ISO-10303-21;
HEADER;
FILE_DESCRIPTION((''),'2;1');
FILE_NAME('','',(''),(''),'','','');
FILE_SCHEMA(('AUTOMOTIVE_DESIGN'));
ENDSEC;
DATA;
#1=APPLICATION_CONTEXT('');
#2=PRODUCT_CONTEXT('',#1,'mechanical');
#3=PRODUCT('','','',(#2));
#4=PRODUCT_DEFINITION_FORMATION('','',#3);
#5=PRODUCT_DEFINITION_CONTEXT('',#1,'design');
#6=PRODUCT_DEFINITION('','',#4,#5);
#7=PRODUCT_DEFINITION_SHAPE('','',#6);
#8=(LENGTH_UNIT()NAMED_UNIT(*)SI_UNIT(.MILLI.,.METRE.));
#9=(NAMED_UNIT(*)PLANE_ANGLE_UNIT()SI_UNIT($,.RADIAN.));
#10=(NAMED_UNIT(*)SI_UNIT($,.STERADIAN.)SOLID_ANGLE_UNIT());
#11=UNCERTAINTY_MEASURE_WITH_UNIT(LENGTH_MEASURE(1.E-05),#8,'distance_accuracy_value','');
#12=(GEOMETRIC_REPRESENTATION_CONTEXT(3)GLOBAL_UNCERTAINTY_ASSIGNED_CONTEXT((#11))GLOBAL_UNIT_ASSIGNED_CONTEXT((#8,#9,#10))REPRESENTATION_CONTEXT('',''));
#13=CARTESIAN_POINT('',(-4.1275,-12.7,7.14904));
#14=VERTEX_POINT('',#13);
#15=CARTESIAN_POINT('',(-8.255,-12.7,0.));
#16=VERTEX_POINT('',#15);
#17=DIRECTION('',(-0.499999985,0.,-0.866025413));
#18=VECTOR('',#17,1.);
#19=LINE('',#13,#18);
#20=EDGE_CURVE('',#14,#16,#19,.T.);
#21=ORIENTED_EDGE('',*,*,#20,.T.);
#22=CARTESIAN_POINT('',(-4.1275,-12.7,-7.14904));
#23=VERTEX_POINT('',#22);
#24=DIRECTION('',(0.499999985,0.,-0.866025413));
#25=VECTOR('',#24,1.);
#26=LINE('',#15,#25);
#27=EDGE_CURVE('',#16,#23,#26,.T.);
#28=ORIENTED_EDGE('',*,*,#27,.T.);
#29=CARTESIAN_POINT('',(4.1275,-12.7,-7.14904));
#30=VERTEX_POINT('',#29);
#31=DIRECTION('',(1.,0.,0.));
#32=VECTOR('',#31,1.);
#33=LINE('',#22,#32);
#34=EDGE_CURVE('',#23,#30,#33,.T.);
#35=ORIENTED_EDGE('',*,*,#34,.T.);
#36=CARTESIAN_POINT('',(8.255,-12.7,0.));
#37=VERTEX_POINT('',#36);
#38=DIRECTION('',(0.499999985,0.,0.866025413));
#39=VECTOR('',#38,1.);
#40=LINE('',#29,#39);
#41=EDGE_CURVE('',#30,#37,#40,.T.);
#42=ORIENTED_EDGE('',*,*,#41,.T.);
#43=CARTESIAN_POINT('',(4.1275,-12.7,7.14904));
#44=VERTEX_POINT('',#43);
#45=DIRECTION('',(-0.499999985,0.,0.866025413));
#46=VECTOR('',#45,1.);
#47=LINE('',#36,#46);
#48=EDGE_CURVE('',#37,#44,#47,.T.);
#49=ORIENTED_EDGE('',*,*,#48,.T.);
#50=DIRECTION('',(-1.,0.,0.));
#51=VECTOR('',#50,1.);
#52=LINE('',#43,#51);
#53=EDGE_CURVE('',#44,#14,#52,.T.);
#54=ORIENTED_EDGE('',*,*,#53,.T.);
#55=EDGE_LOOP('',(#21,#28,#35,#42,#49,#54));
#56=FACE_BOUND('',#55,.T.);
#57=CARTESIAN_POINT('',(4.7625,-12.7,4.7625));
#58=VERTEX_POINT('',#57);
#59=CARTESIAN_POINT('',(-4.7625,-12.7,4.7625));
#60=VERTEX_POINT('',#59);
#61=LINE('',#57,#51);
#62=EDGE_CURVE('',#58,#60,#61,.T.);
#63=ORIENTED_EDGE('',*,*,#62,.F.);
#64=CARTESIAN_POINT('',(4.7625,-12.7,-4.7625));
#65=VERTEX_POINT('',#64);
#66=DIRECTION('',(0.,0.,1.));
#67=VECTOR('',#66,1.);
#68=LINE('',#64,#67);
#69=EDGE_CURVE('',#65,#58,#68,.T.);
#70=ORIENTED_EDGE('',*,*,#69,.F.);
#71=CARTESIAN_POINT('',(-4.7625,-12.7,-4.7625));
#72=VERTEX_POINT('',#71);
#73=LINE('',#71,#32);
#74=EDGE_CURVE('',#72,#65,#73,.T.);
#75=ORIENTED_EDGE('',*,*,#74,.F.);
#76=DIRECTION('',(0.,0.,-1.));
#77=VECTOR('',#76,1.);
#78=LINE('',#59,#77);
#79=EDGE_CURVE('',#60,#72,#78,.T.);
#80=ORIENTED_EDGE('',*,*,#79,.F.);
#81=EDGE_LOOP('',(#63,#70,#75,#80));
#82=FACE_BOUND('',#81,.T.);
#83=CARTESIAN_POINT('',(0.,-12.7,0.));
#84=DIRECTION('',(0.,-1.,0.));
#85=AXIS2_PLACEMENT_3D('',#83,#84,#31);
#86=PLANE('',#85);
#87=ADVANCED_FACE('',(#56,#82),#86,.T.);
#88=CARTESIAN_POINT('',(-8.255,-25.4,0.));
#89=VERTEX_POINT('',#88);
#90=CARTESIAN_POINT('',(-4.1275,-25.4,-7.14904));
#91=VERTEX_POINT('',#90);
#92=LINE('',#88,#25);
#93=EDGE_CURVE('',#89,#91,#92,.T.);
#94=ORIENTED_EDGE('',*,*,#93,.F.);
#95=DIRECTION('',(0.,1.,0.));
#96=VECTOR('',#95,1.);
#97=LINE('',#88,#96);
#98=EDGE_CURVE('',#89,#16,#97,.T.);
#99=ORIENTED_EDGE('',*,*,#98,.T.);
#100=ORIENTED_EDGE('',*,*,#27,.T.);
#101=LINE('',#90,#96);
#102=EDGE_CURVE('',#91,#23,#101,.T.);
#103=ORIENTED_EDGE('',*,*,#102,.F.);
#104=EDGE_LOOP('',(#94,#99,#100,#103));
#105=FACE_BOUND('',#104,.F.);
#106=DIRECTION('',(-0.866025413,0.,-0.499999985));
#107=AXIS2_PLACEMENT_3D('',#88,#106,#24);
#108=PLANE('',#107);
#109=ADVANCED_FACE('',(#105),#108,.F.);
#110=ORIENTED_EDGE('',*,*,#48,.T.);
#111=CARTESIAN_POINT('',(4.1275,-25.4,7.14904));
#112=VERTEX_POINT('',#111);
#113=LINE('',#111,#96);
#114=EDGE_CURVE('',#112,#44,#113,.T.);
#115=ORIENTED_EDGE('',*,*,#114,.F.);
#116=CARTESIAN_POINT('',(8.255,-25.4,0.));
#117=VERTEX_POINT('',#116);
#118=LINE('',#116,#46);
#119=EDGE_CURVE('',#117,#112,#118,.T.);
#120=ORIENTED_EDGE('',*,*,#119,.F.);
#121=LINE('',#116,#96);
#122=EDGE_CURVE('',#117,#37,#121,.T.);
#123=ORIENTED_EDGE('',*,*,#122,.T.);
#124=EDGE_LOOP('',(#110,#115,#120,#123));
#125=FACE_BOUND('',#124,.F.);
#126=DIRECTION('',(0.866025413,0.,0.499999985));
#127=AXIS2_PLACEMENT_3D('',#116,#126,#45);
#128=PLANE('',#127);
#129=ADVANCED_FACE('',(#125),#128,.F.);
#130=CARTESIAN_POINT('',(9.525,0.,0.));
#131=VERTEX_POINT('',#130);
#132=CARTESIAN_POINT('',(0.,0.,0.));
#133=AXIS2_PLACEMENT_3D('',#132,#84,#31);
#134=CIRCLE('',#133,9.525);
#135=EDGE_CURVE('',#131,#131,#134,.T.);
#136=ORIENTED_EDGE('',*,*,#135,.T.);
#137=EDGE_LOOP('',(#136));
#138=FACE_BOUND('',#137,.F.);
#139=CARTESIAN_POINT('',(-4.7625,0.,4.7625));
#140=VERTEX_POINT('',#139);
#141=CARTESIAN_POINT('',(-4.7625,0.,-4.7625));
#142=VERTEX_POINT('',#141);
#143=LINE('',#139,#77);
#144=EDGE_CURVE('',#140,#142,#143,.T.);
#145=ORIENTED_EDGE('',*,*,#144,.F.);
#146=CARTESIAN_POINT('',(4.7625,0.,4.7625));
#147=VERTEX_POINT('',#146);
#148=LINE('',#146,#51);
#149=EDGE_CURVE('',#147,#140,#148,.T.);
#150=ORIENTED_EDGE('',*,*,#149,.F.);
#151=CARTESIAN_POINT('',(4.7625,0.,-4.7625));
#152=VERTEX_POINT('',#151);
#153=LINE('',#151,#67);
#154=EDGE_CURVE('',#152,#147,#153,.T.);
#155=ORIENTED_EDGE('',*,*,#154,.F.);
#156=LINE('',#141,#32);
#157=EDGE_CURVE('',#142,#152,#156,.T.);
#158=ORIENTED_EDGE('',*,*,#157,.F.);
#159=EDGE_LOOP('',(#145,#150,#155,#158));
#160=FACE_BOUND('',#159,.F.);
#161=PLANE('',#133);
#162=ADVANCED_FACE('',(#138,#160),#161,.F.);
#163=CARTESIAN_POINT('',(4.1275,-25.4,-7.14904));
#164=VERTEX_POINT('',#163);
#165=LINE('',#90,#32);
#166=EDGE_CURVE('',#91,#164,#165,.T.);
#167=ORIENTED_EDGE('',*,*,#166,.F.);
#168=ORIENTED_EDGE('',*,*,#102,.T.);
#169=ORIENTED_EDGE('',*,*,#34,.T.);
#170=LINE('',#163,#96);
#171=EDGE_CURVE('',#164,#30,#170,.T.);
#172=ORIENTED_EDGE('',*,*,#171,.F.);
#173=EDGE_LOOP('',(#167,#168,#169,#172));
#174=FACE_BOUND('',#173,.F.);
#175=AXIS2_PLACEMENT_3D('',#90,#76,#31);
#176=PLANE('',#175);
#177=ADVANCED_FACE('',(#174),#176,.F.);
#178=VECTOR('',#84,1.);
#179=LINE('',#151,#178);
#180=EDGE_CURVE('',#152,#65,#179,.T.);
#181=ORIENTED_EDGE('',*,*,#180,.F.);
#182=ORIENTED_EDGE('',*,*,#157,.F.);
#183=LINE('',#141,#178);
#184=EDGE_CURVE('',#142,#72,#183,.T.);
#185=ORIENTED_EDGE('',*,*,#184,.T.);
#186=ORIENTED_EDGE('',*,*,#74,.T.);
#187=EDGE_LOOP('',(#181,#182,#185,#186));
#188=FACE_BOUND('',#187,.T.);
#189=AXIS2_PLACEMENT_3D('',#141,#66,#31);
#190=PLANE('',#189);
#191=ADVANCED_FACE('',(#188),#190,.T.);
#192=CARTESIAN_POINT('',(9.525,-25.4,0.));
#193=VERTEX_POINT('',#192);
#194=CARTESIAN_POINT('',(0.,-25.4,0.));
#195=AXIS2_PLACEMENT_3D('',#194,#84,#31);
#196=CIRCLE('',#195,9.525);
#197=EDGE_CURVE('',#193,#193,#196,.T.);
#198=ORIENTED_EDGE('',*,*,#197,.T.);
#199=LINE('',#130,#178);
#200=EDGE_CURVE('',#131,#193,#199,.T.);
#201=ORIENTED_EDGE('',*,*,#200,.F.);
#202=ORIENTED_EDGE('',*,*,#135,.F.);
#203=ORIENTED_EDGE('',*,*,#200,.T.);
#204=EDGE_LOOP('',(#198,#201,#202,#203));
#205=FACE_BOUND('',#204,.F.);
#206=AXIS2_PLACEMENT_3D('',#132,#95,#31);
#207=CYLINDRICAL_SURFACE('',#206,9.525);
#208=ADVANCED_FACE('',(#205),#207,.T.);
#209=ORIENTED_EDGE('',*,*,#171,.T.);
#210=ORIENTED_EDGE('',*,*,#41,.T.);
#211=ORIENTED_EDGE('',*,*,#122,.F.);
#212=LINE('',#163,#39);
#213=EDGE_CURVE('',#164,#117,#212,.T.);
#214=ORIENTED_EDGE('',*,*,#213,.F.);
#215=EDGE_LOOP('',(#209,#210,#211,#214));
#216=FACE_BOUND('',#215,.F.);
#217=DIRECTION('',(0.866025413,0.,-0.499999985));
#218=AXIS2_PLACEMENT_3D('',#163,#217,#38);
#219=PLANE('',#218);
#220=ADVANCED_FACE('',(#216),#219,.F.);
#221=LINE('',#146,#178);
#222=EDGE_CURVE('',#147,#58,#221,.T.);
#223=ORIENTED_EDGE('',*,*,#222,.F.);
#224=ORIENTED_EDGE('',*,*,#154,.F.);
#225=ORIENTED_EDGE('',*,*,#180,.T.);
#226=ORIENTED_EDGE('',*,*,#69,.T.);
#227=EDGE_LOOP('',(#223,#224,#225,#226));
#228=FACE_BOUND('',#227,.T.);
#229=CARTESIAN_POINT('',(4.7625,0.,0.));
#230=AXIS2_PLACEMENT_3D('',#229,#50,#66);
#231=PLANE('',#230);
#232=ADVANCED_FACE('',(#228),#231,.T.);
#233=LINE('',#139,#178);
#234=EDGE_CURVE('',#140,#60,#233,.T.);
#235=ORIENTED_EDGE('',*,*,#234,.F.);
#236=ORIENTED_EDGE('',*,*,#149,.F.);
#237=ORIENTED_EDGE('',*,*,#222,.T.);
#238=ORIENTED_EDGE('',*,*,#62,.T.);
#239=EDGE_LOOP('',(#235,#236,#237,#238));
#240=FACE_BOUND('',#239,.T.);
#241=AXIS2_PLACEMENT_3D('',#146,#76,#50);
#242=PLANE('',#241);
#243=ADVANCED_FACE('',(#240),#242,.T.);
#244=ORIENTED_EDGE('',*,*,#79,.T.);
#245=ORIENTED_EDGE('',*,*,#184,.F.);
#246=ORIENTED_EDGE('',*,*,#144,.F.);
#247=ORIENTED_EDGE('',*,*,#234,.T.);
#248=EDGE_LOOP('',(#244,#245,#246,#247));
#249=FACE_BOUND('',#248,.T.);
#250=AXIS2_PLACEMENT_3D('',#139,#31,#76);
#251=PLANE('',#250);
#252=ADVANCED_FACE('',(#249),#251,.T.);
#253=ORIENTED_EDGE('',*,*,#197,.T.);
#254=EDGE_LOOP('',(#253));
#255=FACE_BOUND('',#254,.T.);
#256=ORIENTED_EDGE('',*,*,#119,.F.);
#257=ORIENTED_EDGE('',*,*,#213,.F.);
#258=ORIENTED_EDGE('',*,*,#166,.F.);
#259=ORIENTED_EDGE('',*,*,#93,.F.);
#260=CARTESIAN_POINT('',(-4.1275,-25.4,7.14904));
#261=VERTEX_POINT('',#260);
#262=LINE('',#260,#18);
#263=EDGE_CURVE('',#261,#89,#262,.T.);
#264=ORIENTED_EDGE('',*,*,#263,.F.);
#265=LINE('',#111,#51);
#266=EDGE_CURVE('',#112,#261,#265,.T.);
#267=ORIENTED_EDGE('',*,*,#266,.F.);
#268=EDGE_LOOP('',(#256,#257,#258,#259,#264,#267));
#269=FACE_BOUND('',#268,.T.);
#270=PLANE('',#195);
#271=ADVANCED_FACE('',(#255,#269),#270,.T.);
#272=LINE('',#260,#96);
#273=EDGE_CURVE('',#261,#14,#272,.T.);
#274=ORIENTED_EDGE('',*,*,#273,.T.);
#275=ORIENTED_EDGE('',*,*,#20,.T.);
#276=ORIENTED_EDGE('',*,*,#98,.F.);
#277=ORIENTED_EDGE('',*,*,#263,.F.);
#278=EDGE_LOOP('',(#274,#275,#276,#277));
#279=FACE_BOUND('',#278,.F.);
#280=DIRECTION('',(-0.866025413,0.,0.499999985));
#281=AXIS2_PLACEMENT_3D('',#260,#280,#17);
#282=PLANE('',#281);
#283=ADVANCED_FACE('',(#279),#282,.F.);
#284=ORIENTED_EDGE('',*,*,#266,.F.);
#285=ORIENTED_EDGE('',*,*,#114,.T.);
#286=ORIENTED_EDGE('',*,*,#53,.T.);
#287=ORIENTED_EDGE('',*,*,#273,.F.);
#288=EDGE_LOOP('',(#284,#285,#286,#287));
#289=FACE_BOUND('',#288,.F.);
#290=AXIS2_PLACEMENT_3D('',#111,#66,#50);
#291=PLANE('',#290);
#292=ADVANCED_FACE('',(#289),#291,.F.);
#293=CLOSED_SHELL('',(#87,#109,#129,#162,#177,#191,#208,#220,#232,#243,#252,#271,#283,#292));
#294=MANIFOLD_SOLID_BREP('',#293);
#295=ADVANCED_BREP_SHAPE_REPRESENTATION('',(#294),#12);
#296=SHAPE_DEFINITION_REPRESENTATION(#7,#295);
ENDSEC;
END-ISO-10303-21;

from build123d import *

# Parameters (mm, degrees)
F0_R     = 9.525
F1_DEPTH = 25.4
F3_DEPTH = 25.401
F4_DEPTH = 12.7
F6_DEPTH = 12.7


with BuildPart() as f1:
    # F0 (on Front) → F1 (new body)
    with BuildSketch(Plane.XZ):
        Circle(F0_R)
    extrude(amount=F1_DEPTH)

    # F2 (on Front) → F3 (cut, through all)
    with BuildSketch(Plane.XZ):
        with BuildLine():
            ThreePointArc((4.7625, 0), (3.367596, 3.367596), (0, 4.7625))
            ThreePointArc((0, 4.7625), (-3.367596, 3.367596), (-4.7625, 0))
            ThreePointArc((-4.7625, 0), (-3.367596, -3.367596), (0, -4.7625))
            ThreePointArc((0, -4.7625), (3.367596, -3.367596), (4.7625, 0))
        make_face()
    extrude(amount=F3_DEPTH, mode=Mode.SUBTRACT)

    # F2 (on Front) → F4 (cut)
    with BuildSketch(Plane.XZ):
        with BuildLine():
            Line((4.7625, -4.7625), (4.7625, 0))
            ThreePointArc((4.7625, 0), (3.367596, -3.367596), (0, -4.7625))
            Line((0, -4.7625), (4.7625, -4.7625))
        make_face()
        with BuildLine():
            Line((4.7625, 4.7625), (0, 4.7625))
            ThreePointArc((0, 4.7625), (3.367596, 3.367596), (4.7625, 0))
            Line((4.7625, 0), (4.7625, 4.7625))
        make_face()
        with BuildLine():
            Line((0, 4.7625), (-4.7625, 4.7625))
            Line((-4.7625, 4.7625), (-4.7625, 0))
            ThreePointArc((-4.7625, 0), (-3.367596, 3.367596), (0, 4.7625))
        make_face()
        with BuildLine():
            ThreePointArc((0, -4.7625), (-3.367596, -3.367596), (-4.7625, 0))
            Line((-4.7625, 0), (-4.7625, -4.7625))
            Line((-4.7625, -4.7625), (0, -4.7625))
        make_face()
    extrude(amount=F4_DEPTH, mode=Mode.SUBTRACT)

    # F5 (on face) → F6 (cut)
    with BuildSketch(Plane.XZ.offset(25.4)):
        Polygon((4.1275, 7.14904), (-4.1275, 7.14904), (-8.255, 0), (-4.1275, -7.14904), (4.1275, -7.14904), (8.255, 0), align=None)
    extrude(amount=-F6_DEPTH, mode=Mode.SUBTRACT)


solid = f1.part
